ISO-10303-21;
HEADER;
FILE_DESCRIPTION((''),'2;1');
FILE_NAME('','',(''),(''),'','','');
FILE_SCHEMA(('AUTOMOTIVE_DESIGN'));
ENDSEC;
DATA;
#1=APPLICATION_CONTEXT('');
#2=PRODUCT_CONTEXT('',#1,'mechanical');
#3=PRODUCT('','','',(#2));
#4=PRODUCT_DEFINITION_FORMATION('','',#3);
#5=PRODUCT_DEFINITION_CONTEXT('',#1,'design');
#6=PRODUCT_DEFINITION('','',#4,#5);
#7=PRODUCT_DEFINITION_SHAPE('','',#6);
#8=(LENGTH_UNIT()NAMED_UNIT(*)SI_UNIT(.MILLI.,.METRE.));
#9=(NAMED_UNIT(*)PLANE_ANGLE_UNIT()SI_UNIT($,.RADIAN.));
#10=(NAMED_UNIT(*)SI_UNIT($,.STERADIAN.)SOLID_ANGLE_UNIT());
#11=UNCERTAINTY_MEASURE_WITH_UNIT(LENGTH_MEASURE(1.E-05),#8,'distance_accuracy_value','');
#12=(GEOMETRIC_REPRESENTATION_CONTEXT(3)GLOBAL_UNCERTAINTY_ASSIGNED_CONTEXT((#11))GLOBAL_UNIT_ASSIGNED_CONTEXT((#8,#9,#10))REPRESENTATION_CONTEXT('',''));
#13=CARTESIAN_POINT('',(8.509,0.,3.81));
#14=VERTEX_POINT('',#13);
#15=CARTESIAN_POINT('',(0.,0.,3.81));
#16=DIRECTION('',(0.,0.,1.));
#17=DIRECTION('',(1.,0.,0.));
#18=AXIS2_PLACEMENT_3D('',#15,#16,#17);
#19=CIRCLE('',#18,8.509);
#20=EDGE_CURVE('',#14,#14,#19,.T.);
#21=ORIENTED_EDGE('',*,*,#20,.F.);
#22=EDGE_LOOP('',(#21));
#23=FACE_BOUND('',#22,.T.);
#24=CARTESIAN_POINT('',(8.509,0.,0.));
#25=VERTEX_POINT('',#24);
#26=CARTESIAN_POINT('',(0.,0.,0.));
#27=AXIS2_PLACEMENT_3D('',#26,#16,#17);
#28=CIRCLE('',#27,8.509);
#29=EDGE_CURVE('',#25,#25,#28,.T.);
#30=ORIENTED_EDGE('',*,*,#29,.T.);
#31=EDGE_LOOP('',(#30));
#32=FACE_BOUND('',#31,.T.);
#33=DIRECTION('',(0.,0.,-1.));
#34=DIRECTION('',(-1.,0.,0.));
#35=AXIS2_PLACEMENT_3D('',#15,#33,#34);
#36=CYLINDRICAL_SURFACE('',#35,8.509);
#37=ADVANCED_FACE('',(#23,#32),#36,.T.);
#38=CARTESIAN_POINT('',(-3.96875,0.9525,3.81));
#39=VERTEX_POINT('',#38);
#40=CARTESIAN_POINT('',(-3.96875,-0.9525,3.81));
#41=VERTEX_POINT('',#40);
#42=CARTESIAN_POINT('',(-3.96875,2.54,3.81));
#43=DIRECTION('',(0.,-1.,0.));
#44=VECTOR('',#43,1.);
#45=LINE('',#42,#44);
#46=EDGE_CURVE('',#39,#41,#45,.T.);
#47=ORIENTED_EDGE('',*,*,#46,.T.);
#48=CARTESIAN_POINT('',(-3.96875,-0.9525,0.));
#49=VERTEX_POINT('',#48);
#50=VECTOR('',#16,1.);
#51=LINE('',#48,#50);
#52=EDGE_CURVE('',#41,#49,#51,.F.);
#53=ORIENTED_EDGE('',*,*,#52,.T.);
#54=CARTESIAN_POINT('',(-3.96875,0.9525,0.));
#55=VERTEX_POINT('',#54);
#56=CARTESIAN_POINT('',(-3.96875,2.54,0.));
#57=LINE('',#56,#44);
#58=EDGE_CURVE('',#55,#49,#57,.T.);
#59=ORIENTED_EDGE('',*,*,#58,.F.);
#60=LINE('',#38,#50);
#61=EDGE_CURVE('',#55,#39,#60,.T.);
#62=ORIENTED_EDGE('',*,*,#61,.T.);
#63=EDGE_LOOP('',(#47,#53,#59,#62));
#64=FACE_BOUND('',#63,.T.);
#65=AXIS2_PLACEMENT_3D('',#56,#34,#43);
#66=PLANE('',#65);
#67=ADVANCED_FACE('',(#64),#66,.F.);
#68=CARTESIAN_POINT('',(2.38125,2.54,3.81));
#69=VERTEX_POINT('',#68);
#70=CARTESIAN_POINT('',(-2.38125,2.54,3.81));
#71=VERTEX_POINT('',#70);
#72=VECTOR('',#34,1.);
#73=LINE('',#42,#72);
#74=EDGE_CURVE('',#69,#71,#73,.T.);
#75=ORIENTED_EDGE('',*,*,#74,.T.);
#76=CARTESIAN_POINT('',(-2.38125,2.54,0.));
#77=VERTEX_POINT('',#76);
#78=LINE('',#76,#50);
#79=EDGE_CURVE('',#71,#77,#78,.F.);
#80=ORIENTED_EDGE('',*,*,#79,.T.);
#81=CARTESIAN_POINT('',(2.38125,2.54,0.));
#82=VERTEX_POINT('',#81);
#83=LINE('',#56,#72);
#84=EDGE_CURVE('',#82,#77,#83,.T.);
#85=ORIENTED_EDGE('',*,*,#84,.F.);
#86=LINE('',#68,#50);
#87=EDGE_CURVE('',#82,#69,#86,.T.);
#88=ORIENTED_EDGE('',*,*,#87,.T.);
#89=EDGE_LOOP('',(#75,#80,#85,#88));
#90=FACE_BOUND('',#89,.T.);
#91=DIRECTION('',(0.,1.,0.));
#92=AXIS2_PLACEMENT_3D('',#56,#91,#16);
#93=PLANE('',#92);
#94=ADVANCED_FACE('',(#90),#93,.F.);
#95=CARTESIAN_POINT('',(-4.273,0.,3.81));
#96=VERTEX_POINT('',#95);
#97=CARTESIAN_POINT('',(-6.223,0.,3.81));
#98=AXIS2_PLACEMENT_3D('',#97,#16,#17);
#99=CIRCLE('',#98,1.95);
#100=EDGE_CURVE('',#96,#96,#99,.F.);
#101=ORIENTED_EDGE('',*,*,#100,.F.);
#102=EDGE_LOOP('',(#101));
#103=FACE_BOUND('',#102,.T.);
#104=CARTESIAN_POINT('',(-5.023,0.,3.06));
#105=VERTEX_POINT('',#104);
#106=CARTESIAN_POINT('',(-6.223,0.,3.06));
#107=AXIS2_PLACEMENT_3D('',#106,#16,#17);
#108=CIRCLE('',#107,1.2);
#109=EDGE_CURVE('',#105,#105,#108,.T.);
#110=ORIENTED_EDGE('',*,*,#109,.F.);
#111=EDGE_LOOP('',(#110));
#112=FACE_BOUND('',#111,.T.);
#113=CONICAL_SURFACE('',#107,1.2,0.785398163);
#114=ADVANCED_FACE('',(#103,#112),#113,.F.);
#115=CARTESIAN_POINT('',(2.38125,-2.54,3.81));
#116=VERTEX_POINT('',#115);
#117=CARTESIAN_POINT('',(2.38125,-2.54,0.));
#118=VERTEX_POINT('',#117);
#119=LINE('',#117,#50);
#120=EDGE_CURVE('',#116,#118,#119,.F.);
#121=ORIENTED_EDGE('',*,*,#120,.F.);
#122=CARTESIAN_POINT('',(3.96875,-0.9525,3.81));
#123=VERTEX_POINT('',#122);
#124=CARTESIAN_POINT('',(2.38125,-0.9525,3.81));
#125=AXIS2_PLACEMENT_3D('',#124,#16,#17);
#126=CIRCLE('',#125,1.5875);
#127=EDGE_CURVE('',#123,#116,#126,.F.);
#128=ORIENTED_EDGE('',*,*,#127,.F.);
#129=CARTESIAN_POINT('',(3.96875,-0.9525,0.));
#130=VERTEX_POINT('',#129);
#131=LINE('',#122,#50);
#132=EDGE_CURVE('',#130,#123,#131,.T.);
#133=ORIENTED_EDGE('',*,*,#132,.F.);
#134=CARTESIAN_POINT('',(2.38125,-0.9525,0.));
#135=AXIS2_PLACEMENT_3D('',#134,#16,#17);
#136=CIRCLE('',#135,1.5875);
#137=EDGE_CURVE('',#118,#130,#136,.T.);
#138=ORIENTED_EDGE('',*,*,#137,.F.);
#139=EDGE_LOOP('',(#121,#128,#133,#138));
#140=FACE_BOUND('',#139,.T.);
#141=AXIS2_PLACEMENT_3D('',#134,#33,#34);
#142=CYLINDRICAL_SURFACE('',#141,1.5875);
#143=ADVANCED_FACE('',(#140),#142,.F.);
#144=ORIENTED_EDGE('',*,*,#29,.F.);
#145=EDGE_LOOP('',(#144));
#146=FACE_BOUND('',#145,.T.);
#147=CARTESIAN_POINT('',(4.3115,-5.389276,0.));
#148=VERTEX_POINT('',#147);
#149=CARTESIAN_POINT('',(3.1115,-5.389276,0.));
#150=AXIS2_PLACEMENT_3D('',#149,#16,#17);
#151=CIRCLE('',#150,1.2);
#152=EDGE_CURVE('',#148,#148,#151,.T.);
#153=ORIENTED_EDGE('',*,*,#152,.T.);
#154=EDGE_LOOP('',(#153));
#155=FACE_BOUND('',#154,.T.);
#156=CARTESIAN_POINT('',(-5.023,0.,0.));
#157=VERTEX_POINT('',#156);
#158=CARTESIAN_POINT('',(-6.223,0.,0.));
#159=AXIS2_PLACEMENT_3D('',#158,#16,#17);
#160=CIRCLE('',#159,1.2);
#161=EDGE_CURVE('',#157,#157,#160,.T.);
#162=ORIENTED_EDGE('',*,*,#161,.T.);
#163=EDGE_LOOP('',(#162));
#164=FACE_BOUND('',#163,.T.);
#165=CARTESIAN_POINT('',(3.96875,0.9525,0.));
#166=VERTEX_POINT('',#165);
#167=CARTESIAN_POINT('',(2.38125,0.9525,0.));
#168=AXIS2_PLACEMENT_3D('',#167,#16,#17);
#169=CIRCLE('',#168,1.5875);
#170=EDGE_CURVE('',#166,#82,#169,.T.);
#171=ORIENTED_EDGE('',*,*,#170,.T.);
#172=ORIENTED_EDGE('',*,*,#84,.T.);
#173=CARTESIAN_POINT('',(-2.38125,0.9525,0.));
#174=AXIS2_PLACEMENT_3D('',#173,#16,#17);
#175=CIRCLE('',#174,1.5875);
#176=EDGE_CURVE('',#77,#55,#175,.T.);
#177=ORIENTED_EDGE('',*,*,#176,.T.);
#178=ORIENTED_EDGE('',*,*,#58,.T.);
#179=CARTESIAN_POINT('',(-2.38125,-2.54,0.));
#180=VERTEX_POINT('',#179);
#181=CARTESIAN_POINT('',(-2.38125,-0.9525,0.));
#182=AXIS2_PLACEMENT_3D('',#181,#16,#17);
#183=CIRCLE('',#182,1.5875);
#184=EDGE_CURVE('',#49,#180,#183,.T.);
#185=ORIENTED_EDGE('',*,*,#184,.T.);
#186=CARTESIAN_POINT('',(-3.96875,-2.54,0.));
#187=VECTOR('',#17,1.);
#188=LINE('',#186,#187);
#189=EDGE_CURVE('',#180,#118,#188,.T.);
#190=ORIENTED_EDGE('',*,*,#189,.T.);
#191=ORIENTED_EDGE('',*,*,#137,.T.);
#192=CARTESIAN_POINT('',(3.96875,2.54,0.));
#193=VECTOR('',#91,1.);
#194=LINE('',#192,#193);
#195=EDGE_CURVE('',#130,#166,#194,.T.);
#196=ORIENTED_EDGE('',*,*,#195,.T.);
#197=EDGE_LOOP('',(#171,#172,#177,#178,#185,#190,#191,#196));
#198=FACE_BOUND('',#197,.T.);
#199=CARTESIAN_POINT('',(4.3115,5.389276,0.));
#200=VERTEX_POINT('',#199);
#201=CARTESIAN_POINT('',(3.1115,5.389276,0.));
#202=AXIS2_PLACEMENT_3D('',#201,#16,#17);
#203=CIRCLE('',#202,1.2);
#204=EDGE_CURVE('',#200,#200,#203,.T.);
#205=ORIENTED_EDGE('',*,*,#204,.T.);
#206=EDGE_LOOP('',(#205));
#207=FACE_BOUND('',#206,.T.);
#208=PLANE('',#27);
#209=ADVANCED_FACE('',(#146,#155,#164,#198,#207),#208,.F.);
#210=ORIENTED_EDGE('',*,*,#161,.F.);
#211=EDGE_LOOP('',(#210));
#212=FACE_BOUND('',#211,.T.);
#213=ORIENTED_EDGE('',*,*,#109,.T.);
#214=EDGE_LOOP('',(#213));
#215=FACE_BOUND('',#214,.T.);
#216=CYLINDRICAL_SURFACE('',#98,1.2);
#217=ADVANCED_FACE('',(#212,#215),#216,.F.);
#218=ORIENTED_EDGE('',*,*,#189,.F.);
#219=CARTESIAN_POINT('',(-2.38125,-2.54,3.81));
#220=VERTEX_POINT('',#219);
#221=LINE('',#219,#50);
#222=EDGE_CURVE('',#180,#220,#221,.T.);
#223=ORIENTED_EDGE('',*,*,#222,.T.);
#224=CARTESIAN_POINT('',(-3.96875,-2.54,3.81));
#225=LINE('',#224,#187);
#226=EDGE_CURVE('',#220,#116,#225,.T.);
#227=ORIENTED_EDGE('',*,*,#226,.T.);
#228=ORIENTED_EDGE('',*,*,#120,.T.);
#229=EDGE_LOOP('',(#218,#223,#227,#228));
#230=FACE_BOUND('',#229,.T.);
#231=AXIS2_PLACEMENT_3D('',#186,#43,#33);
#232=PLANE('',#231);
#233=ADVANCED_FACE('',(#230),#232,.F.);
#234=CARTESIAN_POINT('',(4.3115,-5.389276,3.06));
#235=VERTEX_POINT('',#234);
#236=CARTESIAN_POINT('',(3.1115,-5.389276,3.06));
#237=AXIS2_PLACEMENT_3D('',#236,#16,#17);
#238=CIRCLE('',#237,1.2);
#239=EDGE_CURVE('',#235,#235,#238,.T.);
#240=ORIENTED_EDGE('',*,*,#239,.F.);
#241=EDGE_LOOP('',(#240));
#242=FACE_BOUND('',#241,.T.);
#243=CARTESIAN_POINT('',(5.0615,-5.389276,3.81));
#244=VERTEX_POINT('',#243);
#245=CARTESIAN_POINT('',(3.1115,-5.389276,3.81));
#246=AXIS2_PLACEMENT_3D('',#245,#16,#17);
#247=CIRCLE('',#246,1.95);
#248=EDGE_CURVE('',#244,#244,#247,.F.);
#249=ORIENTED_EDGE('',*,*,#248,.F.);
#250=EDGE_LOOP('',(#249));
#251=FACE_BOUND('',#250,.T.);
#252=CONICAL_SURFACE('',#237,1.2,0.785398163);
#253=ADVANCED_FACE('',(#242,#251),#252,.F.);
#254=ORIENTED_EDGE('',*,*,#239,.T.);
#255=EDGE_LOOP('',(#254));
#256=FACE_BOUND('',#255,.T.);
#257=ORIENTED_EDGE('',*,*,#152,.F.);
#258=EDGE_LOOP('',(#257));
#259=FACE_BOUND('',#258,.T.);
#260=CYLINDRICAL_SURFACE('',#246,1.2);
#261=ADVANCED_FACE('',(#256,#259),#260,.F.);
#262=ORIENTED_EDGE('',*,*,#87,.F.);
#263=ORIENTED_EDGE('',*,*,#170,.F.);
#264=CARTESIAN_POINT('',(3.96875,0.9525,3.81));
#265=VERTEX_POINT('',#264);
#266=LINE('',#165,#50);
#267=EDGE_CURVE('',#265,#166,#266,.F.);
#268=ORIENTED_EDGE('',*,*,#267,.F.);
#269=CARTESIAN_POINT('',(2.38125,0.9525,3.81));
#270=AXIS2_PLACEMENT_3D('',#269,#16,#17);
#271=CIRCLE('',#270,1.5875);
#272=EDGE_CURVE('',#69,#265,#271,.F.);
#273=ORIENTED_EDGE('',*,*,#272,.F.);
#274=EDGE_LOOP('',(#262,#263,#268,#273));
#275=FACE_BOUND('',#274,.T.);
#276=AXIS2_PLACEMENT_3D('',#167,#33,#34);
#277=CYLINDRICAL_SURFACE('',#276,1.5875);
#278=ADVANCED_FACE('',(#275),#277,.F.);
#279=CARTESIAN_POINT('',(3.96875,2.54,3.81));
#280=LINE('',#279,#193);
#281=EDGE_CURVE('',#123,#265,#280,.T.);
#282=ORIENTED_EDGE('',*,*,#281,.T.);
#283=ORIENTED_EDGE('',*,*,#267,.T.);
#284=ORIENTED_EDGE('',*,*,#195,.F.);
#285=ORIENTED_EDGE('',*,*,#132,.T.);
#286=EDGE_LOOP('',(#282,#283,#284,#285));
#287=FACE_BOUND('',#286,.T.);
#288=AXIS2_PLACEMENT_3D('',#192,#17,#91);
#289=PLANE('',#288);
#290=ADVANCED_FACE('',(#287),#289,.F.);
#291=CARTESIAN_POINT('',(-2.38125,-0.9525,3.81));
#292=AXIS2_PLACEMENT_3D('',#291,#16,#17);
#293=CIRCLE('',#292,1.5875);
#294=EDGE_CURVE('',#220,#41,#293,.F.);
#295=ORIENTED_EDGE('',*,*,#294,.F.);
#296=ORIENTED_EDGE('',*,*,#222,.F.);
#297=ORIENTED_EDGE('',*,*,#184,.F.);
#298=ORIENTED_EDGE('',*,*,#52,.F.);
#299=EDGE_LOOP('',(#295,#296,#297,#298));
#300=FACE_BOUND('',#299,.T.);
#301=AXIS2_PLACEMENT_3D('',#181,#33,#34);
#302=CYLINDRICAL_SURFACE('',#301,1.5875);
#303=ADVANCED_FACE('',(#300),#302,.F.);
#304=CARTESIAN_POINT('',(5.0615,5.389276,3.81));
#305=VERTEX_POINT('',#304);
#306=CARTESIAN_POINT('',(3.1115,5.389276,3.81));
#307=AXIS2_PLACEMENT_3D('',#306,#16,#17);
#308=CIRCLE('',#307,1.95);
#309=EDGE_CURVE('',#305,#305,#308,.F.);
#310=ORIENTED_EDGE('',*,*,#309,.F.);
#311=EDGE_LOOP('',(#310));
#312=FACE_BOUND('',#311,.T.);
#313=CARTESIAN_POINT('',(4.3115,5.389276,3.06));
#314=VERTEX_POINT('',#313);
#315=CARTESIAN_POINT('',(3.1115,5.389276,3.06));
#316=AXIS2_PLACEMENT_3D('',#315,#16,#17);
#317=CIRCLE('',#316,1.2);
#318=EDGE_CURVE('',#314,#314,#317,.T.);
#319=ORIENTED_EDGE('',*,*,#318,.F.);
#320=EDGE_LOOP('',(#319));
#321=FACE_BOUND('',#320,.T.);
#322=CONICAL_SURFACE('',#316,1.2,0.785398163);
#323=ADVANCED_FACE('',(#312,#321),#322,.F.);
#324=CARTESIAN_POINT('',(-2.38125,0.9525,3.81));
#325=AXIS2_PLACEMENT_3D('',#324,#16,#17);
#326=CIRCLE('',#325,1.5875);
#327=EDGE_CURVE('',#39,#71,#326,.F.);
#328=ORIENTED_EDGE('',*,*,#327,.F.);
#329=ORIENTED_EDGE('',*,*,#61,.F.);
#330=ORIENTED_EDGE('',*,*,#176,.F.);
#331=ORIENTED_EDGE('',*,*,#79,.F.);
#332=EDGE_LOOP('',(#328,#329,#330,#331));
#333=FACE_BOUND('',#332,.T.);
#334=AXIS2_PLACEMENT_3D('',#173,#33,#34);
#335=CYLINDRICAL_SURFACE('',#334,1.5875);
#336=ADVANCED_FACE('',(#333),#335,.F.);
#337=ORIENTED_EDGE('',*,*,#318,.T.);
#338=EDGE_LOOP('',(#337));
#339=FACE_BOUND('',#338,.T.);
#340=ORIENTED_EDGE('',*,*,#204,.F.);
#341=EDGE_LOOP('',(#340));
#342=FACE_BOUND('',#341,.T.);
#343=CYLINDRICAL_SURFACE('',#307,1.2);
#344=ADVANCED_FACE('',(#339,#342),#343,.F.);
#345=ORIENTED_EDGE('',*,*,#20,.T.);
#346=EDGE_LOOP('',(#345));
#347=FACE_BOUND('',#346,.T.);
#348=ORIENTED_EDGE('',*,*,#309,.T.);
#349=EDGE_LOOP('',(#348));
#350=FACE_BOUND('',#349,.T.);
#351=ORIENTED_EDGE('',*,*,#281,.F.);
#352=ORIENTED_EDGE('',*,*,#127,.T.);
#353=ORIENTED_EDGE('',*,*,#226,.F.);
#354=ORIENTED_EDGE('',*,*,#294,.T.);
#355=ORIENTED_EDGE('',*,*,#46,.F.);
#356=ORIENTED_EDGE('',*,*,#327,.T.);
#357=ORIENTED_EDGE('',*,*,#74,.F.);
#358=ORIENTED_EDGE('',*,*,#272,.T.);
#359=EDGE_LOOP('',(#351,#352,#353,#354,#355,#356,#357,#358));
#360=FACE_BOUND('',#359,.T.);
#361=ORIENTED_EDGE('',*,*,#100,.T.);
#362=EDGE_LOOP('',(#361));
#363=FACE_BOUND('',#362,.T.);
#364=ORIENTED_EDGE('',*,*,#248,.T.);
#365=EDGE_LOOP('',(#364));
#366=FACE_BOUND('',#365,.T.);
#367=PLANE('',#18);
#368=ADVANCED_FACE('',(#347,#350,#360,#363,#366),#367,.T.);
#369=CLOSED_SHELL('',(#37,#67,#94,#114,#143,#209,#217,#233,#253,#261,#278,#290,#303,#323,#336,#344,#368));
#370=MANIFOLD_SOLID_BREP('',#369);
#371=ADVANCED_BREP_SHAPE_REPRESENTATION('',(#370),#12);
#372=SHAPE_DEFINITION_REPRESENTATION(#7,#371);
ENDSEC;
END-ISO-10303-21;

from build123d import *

# Parameters (mm, degrees)
SKETCH1_R            = 8.509
BOSS_EXTRUDE1_DEPTH  = 3.81
SKETCH3_W            = 7.9375
SKETCH3_H            = 5.08
CUT_EXTRUDE2_DEPTH   = 3.81
M2_CLEARANCE_HOLE1_D = 2.4
FILLET1_R            = 1.5875
CHAMFER1_SIZE        = 0.75


with BuildPart() as part:
    # Sketch1 → Boss-Extrude1 (new body)
    with BuildSketch(Plane.XY):
        Circle(SKETCH1_R)
    extrude(amount=BOSS_EXTRUDE1_DEPTH)

    # Sketch3 → Cut-Extrude2 (cut)
    with BuildSketch(Plane.XY.offset(3.81)):
        Rectangle(SKETCH3_W, SKETCH3_H)
    extrude(amount=-CUT_EXTRUDE2_DEPTH, mode=Mode.SUBTRACT)

    # M2 Clearance Hole1 (through all)
    with Locations(Plane.XY.offset(3.81)):
        with Locations((-6.223, 0), (3.1115, 5.389276088), (3.1115, -5.389276088)):
            Hole(M2_CLEARANCE_HOLE1_D / 2)

    # Fillet1
    fillet1_edges = [part.edges().sort_by_distance(p)[0] for p in [
        (3.96875, 2.54, 1.905),
        (3.96875, -2.54, 1.905),
        (-3.96875, -2.54, 1.905),
        (-3.96875, 2.54, 1.905),
    ]]
    fillet(fillet1_edges, radius=FILLET1_R)

    # Chamfer1
    chamfer1_edges = [part.edges().sort_by_distance(p)[0] for p in [
        (4.3115, -5.389276088, 3.81),
        (4.3115, 5.389276088, 3.81),
        (-5.023, 0, 3.81),
    ]]
    chamfer(chamfer1_edges, length=CHAMFER1_SIZE)


solid = part.part
